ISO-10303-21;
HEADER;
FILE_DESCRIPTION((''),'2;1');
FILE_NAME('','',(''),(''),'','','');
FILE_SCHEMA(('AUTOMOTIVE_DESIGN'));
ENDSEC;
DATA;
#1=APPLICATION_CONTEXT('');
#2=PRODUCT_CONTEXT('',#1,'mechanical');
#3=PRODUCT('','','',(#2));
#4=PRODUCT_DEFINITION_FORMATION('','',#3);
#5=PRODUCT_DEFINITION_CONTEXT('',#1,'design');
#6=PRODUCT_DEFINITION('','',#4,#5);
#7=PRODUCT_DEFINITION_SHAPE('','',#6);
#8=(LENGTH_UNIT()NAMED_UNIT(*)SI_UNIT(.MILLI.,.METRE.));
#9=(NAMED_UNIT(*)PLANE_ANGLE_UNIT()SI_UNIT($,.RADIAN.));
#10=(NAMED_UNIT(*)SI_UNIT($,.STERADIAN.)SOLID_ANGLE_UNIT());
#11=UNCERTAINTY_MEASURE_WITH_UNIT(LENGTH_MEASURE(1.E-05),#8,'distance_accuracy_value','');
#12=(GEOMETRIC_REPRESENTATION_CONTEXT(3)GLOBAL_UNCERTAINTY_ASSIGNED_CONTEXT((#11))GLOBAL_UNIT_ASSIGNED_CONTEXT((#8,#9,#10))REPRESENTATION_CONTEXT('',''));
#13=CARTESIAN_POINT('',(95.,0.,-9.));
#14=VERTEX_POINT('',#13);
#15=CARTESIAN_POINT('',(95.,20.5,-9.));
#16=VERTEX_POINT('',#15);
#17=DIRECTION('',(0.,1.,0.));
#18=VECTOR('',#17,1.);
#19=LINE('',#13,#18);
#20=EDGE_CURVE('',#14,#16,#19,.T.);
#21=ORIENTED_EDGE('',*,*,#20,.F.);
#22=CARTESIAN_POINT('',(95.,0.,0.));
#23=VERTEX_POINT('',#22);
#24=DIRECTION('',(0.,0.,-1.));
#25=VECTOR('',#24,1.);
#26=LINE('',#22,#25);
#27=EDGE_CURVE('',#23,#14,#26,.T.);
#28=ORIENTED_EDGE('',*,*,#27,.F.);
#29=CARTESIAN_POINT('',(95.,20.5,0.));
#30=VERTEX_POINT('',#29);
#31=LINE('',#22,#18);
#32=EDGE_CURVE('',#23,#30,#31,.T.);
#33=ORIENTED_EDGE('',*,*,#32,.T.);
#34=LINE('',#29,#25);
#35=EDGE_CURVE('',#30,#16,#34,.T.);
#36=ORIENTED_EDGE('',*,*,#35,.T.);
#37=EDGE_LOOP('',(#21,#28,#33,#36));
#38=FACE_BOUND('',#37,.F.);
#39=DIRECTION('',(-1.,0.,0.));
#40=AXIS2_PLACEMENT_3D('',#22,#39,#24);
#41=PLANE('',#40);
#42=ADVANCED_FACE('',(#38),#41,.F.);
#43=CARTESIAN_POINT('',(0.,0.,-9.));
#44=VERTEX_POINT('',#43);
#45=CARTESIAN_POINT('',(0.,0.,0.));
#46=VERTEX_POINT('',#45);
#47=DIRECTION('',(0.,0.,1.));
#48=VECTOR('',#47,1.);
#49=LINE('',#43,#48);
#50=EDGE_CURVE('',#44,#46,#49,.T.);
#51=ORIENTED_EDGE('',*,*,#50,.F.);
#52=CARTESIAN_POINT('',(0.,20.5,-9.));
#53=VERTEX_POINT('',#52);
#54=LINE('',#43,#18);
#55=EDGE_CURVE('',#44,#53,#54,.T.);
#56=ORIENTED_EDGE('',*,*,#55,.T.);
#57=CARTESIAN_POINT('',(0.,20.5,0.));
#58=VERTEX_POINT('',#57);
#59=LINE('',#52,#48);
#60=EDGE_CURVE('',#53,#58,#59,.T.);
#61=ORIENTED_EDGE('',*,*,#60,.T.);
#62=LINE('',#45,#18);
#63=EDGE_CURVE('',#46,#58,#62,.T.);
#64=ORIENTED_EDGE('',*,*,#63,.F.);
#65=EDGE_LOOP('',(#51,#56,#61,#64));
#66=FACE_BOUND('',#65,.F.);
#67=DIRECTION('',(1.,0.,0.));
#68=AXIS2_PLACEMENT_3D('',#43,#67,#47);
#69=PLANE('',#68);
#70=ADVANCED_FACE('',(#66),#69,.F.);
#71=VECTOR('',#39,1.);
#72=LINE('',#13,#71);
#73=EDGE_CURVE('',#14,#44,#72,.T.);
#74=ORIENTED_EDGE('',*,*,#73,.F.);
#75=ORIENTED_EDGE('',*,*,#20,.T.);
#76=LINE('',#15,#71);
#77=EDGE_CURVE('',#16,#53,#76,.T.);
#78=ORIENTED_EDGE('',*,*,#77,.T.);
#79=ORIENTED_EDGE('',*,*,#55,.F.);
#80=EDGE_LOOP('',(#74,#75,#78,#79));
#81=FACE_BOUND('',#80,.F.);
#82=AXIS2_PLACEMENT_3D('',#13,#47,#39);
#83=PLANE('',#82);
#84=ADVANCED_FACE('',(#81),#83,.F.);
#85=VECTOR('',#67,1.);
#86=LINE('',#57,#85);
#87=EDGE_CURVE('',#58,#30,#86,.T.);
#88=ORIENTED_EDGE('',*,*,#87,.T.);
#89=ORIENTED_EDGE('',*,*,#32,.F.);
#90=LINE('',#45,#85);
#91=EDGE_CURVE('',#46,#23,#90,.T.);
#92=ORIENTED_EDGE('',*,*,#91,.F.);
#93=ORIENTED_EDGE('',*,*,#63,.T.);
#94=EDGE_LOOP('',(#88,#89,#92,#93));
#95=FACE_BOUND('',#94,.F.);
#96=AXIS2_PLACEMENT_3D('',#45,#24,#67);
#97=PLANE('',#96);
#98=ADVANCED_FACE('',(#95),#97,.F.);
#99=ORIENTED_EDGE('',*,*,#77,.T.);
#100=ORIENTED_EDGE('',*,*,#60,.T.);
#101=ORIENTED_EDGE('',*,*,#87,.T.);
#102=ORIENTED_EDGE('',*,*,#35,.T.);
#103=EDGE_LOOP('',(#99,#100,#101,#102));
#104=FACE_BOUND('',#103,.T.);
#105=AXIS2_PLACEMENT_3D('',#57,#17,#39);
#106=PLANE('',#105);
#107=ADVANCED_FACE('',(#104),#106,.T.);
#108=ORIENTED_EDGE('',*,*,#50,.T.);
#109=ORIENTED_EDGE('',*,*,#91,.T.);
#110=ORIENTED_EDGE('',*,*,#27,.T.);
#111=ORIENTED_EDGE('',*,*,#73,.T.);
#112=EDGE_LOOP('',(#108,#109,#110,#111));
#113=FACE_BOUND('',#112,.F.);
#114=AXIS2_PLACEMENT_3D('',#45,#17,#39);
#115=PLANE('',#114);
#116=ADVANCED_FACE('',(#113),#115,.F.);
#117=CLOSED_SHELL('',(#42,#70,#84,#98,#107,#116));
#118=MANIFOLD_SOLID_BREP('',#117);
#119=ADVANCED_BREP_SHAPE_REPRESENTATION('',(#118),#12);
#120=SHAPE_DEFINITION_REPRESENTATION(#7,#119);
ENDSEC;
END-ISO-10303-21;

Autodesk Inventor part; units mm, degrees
ref_plane "YZ Plane" through (0, 0, 0) normal (1, 0, 0) x (0, 1, 0)
ref_plane "XZ Plane" through (0, 0, 0) normal (0, 1, 0) x (-1, 0, 0)
ref_plane "XY Plane" through (0, 0, 0) normal (0, 0, 1) x (1, 0, 0)
sketch "Boceto1" plane through (0, 0, 0) normal (0, 1, 0) x (-1, 0, 0)
  line L0 (0, 0) -> (-95, 0)
  line L1 (-95, 0) -> (-95, -9)
  line L2 (-95, -9) -> (0, -9)
  line L3 (0, -9) -> (0, 0)
  dimension "d0" = 95
  dimension "d1" = 9
extrude "Extrusión1" add sketch "Boceto1" along normal blind 20.5
properties part number "Base auxiliar - encaix estructura"
